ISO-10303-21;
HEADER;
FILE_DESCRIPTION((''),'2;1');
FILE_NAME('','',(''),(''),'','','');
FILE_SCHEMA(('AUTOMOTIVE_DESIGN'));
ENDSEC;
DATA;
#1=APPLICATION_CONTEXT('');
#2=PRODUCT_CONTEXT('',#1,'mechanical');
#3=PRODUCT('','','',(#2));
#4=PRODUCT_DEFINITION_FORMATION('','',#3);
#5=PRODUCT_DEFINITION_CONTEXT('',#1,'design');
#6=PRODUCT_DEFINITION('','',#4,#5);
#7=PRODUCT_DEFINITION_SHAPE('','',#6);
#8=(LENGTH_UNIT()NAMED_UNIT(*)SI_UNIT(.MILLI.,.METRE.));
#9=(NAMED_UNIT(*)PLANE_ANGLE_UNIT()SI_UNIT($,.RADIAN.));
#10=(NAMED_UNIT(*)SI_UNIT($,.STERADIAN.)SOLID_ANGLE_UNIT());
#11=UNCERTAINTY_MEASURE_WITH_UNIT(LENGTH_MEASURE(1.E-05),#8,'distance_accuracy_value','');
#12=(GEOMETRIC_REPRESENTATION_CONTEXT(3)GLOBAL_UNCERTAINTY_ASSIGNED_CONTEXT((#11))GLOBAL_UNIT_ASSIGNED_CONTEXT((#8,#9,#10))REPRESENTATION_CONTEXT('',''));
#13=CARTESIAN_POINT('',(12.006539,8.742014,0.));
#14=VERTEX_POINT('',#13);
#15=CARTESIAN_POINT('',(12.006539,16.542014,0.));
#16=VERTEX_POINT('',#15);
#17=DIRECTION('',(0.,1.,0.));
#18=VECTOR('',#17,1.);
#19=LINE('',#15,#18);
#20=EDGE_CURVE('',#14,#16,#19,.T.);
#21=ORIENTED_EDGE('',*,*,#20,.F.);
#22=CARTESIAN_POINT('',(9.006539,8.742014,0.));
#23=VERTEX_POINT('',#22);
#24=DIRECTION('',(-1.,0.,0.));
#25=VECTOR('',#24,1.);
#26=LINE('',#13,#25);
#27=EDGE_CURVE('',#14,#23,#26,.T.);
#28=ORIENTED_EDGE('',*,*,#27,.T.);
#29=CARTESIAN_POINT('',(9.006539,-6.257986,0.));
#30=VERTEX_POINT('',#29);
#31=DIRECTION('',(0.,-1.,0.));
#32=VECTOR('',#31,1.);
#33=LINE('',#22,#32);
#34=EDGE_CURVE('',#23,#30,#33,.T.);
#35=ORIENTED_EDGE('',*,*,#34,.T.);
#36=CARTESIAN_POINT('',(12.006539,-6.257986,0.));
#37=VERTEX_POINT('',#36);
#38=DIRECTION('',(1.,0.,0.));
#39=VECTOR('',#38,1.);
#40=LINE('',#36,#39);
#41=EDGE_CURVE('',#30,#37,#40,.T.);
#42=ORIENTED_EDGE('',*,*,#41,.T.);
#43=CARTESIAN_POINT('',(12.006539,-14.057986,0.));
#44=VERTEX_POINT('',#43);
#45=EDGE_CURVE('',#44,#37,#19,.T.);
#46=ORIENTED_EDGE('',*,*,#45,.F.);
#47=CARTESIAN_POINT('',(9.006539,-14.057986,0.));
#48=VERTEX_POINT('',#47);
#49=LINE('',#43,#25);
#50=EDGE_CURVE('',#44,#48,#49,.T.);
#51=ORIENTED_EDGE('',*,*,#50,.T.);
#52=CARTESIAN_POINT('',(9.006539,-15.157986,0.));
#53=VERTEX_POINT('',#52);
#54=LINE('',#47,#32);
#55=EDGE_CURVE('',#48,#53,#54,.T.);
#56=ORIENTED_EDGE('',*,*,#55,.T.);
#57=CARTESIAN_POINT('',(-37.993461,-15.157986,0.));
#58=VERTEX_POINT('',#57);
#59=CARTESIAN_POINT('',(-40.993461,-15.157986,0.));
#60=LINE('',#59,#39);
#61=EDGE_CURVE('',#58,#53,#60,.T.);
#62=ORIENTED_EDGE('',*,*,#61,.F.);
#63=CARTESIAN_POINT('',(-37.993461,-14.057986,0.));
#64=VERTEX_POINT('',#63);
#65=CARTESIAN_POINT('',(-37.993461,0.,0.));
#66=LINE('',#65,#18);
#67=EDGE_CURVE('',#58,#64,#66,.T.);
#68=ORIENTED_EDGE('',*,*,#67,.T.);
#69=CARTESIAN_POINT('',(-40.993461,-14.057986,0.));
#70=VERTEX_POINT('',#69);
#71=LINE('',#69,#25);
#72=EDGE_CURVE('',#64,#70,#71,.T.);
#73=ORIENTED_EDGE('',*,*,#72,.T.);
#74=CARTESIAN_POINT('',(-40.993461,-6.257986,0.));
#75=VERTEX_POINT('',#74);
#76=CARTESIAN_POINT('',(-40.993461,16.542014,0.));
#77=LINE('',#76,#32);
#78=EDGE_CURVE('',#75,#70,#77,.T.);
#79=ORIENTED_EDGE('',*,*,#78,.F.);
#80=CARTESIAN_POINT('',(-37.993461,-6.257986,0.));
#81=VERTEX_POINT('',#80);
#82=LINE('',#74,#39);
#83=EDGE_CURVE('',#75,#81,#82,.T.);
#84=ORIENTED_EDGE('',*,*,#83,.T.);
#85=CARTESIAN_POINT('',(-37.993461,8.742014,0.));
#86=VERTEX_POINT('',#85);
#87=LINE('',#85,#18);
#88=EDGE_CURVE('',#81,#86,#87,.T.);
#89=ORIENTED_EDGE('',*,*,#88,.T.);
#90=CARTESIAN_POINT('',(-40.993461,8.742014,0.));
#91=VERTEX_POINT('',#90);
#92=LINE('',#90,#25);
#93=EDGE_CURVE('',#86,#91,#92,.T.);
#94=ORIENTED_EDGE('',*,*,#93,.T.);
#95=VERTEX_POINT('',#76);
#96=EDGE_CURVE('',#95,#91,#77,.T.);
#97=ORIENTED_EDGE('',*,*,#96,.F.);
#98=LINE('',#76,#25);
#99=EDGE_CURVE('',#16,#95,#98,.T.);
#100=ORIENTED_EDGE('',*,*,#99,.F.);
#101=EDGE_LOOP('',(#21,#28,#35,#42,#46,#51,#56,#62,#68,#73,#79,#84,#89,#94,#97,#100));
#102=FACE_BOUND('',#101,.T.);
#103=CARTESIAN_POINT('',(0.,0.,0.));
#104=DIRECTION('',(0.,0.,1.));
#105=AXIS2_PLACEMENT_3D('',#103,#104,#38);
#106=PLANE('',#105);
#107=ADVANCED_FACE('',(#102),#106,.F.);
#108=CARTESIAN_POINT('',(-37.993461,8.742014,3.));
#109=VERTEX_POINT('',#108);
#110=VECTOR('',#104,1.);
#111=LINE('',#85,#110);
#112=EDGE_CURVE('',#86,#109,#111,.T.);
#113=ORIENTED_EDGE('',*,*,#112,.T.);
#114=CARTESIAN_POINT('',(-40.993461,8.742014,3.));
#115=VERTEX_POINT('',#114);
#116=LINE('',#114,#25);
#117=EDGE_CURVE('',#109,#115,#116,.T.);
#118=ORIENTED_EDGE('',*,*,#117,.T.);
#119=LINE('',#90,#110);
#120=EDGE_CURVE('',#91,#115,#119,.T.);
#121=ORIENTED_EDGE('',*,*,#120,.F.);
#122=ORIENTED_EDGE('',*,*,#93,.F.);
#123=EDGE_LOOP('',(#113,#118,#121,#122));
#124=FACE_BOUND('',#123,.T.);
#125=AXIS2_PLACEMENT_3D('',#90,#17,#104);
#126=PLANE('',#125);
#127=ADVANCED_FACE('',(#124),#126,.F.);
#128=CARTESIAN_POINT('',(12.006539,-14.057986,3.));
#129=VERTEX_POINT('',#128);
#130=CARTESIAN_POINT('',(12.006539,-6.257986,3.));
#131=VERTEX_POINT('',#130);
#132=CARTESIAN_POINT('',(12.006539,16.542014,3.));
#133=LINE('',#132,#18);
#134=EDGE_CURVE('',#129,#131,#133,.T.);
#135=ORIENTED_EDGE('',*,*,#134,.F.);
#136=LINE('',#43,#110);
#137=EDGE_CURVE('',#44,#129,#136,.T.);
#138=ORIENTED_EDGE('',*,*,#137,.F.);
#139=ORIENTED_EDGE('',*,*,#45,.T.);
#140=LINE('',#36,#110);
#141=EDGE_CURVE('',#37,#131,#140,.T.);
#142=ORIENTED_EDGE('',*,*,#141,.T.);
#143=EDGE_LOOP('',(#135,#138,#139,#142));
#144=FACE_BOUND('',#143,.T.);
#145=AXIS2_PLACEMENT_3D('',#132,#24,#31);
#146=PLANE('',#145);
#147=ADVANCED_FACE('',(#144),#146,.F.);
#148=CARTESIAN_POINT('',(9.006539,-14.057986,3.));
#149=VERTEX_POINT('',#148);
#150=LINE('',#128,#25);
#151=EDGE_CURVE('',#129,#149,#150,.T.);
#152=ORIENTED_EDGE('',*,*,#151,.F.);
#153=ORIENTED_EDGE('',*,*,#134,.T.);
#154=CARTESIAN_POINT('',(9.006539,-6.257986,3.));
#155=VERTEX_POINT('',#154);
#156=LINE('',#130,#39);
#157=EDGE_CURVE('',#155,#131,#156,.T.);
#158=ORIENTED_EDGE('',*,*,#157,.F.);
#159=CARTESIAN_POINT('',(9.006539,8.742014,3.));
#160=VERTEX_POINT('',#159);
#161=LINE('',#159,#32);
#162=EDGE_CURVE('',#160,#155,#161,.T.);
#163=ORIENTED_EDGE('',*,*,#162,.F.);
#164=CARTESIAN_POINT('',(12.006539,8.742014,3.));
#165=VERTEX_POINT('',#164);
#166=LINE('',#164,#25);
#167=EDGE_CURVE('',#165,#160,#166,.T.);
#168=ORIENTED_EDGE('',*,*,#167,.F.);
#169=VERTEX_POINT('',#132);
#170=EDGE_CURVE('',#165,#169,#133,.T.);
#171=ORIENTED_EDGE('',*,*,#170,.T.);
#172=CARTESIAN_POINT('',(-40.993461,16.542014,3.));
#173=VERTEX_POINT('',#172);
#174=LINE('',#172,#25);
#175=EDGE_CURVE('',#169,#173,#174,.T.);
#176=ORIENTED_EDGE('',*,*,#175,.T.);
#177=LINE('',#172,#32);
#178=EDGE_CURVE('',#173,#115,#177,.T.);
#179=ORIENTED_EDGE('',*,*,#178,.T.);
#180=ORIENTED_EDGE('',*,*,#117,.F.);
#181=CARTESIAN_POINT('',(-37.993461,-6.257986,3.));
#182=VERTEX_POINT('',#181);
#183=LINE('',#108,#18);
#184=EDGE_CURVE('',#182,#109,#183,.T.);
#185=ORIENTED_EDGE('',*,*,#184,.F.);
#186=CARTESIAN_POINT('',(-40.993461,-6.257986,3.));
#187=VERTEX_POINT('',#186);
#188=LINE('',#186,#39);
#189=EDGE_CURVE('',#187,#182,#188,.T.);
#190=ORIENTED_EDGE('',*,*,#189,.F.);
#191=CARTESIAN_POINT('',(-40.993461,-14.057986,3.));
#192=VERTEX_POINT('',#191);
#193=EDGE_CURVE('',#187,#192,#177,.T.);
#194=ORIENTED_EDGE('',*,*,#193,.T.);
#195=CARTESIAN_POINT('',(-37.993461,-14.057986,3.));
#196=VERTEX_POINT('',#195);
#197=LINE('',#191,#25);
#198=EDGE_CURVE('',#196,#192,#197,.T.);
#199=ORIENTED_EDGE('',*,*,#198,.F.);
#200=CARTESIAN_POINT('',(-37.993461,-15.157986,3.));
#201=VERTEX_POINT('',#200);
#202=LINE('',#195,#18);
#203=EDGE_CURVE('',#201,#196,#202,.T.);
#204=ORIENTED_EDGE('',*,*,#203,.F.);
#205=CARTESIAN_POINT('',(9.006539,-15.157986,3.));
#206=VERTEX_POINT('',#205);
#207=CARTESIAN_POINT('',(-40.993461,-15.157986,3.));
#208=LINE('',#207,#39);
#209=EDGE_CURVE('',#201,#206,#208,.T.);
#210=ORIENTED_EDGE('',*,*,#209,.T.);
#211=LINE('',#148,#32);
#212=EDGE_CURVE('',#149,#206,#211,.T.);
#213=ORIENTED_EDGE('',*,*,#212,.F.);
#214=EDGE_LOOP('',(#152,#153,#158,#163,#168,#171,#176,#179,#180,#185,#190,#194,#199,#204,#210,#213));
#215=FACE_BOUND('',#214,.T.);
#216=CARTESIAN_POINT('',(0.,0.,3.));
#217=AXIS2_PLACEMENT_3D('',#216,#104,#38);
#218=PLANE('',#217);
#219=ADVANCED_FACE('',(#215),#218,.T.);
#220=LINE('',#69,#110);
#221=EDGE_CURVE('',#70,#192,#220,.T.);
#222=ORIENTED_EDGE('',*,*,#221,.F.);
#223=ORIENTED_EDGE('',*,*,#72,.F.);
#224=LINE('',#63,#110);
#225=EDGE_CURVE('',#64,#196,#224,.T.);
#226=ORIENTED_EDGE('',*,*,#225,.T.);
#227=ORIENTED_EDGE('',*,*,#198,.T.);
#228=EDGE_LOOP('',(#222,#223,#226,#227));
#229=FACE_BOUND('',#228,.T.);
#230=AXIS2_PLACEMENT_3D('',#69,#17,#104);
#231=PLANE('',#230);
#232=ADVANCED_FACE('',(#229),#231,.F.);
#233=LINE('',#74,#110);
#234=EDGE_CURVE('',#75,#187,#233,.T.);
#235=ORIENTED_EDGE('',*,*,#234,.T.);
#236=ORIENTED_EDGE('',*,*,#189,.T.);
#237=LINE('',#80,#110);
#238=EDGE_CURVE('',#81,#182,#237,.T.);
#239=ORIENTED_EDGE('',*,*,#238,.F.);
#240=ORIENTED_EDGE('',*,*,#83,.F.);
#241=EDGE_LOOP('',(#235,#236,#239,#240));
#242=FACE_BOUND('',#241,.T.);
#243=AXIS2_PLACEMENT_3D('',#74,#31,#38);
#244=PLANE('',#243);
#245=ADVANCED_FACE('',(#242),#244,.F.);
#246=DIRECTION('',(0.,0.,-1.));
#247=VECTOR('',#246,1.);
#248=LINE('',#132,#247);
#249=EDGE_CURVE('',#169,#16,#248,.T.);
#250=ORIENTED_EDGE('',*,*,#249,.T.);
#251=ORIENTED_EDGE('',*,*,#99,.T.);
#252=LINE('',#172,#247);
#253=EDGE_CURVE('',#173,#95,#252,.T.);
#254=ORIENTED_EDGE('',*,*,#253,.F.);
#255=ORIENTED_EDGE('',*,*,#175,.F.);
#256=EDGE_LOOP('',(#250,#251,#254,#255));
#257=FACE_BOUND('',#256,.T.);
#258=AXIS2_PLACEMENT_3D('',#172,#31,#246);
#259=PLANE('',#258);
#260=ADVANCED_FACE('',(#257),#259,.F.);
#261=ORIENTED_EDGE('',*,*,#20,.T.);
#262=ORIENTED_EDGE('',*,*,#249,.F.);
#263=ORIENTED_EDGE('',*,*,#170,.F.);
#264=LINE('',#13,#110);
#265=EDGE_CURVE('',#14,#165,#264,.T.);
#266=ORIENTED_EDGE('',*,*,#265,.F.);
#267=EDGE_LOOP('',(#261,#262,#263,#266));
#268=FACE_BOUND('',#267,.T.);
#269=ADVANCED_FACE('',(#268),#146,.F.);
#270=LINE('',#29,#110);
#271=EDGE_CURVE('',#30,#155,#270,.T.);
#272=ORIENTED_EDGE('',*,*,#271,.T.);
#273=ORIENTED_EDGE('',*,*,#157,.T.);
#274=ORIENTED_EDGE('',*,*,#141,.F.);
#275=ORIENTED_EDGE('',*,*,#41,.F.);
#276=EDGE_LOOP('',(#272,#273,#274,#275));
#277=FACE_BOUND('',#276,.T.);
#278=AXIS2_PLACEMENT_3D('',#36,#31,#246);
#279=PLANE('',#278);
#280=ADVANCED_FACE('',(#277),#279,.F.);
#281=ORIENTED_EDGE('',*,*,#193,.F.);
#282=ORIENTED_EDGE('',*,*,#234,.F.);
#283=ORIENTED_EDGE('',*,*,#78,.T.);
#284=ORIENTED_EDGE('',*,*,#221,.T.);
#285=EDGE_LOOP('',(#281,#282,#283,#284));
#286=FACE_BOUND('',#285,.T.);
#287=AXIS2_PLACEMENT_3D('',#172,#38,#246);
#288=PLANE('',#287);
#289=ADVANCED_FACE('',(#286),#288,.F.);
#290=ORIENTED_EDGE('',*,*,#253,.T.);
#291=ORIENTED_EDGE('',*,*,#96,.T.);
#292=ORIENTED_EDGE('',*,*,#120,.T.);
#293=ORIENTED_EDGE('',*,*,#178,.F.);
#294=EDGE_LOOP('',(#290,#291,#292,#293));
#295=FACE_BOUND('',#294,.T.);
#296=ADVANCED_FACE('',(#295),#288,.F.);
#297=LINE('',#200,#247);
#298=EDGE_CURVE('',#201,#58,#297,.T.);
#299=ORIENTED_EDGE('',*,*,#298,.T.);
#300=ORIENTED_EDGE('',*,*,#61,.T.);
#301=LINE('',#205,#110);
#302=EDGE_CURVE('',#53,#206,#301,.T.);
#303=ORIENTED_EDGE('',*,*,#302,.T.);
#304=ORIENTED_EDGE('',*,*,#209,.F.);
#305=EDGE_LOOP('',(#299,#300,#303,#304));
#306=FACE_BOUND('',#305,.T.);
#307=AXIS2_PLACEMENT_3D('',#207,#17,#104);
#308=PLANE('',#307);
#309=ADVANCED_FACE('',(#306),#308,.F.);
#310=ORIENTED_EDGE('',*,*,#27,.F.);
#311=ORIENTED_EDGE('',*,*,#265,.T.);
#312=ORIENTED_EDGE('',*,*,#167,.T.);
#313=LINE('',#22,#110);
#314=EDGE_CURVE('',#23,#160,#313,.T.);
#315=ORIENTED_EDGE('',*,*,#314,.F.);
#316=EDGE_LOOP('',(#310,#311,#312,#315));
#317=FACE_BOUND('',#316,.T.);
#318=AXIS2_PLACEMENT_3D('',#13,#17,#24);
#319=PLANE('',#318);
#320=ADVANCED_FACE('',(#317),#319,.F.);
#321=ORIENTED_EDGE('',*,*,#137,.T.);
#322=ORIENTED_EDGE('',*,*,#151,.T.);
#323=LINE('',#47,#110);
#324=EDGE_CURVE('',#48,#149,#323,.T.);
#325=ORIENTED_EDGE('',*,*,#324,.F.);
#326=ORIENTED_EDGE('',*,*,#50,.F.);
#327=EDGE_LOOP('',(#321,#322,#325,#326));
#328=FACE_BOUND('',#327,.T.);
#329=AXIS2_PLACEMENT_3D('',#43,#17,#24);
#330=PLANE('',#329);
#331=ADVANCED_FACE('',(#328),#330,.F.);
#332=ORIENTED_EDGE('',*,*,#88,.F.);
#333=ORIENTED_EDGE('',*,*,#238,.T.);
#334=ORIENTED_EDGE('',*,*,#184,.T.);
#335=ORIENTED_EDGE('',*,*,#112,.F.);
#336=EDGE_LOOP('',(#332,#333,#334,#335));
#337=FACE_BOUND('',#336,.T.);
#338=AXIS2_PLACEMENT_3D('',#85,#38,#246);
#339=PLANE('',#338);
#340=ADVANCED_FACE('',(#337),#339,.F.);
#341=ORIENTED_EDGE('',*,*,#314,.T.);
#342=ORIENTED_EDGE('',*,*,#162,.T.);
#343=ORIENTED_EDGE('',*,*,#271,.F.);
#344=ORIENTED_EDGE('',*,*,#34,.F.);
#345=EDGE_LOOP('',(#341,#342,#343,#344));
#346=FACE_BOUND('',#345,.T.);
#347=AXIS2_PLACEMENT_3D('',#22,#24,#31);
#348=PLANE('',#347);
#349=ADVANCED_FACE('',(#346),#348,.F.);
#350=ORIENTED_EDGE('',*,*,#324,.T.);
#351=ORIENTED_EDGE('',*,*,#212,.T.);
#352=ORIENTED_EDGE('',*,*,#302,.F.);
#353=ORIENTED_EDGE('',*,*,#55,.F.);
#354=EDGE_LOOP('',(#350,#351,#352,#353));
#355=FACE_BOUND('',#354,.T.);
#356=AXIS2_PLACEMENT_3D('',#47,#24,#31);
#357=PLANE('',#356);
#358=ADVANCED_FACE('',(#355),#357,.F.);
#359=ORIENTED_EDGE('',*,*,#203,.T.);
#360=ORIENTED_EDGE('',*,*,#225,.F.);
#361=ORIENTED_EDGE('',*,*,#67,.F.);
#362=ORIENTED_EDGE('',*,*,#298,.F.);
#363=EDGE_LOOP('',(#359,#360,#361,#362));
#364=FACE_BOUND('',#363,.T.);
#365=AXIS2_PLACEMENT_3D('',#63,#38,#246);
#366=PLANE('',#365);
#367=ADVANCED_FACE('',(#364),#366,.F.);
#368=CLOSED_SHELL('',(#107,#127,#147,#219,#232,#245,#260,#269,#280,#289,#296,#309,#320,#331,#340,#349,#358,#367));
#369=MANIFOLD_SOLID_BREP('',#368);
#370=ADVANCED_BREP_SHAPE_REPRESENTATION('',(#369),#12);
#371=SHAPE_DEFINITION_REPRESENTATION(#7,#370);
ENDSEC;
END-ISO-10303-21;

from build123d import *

# Parameters (mm, degrees)
SKETCH1_W           = 53
SKETCH1_H           = 31.7
BOSS_EXTRUDE1_DEPTH = 3
SKETCH2_W           = 3
SKETCH2_H           = 15
CUT_EXTRUDE1_DEPTH  = 45.306907356
LPATTERN1_COUNT     = 3
LPATTERN1_PITCH     = 22.8


with BuildPart() as part:
    # Sketch1 → Boss-Extrude1 (new body)
    with BuildSketch(Plane.XY):
        with Locations((-14.493460648, 0.692013889)):
            Rectangle(SKETCH1_W, SKETCH1_H)
    extrude(amount=BOSS_EXTRUDE1_DEPTH)

    # Sketch2 → Cut-Extrude1 (cut, through all)
    with BuildSketch(Plane.XY.offset(3)):
        with Locations((-39.493460648, 1.242013889)):
            Rectangle(SKETCH2_W, SKETCH2_H)
        with Locations((10.506539352, 1.242013889)):
            Rectangle(SKETCH2_W, SKETCH2_H)
    cut_extrude1 = extrude(amount=-CUT_EXTRUDE1_DEPTH, mode=Mode.SUBTRACT)

    # LPattern1: Cut-Extrude1 ×3
    with Locations(*[(0, -i * LPATTERN1_PITCH, 0) for i in range(1, LPATTERN1_COUNT)]):
        add(cut_extrude1, mode=Mode.SUBTRACT)


solid = part.part
